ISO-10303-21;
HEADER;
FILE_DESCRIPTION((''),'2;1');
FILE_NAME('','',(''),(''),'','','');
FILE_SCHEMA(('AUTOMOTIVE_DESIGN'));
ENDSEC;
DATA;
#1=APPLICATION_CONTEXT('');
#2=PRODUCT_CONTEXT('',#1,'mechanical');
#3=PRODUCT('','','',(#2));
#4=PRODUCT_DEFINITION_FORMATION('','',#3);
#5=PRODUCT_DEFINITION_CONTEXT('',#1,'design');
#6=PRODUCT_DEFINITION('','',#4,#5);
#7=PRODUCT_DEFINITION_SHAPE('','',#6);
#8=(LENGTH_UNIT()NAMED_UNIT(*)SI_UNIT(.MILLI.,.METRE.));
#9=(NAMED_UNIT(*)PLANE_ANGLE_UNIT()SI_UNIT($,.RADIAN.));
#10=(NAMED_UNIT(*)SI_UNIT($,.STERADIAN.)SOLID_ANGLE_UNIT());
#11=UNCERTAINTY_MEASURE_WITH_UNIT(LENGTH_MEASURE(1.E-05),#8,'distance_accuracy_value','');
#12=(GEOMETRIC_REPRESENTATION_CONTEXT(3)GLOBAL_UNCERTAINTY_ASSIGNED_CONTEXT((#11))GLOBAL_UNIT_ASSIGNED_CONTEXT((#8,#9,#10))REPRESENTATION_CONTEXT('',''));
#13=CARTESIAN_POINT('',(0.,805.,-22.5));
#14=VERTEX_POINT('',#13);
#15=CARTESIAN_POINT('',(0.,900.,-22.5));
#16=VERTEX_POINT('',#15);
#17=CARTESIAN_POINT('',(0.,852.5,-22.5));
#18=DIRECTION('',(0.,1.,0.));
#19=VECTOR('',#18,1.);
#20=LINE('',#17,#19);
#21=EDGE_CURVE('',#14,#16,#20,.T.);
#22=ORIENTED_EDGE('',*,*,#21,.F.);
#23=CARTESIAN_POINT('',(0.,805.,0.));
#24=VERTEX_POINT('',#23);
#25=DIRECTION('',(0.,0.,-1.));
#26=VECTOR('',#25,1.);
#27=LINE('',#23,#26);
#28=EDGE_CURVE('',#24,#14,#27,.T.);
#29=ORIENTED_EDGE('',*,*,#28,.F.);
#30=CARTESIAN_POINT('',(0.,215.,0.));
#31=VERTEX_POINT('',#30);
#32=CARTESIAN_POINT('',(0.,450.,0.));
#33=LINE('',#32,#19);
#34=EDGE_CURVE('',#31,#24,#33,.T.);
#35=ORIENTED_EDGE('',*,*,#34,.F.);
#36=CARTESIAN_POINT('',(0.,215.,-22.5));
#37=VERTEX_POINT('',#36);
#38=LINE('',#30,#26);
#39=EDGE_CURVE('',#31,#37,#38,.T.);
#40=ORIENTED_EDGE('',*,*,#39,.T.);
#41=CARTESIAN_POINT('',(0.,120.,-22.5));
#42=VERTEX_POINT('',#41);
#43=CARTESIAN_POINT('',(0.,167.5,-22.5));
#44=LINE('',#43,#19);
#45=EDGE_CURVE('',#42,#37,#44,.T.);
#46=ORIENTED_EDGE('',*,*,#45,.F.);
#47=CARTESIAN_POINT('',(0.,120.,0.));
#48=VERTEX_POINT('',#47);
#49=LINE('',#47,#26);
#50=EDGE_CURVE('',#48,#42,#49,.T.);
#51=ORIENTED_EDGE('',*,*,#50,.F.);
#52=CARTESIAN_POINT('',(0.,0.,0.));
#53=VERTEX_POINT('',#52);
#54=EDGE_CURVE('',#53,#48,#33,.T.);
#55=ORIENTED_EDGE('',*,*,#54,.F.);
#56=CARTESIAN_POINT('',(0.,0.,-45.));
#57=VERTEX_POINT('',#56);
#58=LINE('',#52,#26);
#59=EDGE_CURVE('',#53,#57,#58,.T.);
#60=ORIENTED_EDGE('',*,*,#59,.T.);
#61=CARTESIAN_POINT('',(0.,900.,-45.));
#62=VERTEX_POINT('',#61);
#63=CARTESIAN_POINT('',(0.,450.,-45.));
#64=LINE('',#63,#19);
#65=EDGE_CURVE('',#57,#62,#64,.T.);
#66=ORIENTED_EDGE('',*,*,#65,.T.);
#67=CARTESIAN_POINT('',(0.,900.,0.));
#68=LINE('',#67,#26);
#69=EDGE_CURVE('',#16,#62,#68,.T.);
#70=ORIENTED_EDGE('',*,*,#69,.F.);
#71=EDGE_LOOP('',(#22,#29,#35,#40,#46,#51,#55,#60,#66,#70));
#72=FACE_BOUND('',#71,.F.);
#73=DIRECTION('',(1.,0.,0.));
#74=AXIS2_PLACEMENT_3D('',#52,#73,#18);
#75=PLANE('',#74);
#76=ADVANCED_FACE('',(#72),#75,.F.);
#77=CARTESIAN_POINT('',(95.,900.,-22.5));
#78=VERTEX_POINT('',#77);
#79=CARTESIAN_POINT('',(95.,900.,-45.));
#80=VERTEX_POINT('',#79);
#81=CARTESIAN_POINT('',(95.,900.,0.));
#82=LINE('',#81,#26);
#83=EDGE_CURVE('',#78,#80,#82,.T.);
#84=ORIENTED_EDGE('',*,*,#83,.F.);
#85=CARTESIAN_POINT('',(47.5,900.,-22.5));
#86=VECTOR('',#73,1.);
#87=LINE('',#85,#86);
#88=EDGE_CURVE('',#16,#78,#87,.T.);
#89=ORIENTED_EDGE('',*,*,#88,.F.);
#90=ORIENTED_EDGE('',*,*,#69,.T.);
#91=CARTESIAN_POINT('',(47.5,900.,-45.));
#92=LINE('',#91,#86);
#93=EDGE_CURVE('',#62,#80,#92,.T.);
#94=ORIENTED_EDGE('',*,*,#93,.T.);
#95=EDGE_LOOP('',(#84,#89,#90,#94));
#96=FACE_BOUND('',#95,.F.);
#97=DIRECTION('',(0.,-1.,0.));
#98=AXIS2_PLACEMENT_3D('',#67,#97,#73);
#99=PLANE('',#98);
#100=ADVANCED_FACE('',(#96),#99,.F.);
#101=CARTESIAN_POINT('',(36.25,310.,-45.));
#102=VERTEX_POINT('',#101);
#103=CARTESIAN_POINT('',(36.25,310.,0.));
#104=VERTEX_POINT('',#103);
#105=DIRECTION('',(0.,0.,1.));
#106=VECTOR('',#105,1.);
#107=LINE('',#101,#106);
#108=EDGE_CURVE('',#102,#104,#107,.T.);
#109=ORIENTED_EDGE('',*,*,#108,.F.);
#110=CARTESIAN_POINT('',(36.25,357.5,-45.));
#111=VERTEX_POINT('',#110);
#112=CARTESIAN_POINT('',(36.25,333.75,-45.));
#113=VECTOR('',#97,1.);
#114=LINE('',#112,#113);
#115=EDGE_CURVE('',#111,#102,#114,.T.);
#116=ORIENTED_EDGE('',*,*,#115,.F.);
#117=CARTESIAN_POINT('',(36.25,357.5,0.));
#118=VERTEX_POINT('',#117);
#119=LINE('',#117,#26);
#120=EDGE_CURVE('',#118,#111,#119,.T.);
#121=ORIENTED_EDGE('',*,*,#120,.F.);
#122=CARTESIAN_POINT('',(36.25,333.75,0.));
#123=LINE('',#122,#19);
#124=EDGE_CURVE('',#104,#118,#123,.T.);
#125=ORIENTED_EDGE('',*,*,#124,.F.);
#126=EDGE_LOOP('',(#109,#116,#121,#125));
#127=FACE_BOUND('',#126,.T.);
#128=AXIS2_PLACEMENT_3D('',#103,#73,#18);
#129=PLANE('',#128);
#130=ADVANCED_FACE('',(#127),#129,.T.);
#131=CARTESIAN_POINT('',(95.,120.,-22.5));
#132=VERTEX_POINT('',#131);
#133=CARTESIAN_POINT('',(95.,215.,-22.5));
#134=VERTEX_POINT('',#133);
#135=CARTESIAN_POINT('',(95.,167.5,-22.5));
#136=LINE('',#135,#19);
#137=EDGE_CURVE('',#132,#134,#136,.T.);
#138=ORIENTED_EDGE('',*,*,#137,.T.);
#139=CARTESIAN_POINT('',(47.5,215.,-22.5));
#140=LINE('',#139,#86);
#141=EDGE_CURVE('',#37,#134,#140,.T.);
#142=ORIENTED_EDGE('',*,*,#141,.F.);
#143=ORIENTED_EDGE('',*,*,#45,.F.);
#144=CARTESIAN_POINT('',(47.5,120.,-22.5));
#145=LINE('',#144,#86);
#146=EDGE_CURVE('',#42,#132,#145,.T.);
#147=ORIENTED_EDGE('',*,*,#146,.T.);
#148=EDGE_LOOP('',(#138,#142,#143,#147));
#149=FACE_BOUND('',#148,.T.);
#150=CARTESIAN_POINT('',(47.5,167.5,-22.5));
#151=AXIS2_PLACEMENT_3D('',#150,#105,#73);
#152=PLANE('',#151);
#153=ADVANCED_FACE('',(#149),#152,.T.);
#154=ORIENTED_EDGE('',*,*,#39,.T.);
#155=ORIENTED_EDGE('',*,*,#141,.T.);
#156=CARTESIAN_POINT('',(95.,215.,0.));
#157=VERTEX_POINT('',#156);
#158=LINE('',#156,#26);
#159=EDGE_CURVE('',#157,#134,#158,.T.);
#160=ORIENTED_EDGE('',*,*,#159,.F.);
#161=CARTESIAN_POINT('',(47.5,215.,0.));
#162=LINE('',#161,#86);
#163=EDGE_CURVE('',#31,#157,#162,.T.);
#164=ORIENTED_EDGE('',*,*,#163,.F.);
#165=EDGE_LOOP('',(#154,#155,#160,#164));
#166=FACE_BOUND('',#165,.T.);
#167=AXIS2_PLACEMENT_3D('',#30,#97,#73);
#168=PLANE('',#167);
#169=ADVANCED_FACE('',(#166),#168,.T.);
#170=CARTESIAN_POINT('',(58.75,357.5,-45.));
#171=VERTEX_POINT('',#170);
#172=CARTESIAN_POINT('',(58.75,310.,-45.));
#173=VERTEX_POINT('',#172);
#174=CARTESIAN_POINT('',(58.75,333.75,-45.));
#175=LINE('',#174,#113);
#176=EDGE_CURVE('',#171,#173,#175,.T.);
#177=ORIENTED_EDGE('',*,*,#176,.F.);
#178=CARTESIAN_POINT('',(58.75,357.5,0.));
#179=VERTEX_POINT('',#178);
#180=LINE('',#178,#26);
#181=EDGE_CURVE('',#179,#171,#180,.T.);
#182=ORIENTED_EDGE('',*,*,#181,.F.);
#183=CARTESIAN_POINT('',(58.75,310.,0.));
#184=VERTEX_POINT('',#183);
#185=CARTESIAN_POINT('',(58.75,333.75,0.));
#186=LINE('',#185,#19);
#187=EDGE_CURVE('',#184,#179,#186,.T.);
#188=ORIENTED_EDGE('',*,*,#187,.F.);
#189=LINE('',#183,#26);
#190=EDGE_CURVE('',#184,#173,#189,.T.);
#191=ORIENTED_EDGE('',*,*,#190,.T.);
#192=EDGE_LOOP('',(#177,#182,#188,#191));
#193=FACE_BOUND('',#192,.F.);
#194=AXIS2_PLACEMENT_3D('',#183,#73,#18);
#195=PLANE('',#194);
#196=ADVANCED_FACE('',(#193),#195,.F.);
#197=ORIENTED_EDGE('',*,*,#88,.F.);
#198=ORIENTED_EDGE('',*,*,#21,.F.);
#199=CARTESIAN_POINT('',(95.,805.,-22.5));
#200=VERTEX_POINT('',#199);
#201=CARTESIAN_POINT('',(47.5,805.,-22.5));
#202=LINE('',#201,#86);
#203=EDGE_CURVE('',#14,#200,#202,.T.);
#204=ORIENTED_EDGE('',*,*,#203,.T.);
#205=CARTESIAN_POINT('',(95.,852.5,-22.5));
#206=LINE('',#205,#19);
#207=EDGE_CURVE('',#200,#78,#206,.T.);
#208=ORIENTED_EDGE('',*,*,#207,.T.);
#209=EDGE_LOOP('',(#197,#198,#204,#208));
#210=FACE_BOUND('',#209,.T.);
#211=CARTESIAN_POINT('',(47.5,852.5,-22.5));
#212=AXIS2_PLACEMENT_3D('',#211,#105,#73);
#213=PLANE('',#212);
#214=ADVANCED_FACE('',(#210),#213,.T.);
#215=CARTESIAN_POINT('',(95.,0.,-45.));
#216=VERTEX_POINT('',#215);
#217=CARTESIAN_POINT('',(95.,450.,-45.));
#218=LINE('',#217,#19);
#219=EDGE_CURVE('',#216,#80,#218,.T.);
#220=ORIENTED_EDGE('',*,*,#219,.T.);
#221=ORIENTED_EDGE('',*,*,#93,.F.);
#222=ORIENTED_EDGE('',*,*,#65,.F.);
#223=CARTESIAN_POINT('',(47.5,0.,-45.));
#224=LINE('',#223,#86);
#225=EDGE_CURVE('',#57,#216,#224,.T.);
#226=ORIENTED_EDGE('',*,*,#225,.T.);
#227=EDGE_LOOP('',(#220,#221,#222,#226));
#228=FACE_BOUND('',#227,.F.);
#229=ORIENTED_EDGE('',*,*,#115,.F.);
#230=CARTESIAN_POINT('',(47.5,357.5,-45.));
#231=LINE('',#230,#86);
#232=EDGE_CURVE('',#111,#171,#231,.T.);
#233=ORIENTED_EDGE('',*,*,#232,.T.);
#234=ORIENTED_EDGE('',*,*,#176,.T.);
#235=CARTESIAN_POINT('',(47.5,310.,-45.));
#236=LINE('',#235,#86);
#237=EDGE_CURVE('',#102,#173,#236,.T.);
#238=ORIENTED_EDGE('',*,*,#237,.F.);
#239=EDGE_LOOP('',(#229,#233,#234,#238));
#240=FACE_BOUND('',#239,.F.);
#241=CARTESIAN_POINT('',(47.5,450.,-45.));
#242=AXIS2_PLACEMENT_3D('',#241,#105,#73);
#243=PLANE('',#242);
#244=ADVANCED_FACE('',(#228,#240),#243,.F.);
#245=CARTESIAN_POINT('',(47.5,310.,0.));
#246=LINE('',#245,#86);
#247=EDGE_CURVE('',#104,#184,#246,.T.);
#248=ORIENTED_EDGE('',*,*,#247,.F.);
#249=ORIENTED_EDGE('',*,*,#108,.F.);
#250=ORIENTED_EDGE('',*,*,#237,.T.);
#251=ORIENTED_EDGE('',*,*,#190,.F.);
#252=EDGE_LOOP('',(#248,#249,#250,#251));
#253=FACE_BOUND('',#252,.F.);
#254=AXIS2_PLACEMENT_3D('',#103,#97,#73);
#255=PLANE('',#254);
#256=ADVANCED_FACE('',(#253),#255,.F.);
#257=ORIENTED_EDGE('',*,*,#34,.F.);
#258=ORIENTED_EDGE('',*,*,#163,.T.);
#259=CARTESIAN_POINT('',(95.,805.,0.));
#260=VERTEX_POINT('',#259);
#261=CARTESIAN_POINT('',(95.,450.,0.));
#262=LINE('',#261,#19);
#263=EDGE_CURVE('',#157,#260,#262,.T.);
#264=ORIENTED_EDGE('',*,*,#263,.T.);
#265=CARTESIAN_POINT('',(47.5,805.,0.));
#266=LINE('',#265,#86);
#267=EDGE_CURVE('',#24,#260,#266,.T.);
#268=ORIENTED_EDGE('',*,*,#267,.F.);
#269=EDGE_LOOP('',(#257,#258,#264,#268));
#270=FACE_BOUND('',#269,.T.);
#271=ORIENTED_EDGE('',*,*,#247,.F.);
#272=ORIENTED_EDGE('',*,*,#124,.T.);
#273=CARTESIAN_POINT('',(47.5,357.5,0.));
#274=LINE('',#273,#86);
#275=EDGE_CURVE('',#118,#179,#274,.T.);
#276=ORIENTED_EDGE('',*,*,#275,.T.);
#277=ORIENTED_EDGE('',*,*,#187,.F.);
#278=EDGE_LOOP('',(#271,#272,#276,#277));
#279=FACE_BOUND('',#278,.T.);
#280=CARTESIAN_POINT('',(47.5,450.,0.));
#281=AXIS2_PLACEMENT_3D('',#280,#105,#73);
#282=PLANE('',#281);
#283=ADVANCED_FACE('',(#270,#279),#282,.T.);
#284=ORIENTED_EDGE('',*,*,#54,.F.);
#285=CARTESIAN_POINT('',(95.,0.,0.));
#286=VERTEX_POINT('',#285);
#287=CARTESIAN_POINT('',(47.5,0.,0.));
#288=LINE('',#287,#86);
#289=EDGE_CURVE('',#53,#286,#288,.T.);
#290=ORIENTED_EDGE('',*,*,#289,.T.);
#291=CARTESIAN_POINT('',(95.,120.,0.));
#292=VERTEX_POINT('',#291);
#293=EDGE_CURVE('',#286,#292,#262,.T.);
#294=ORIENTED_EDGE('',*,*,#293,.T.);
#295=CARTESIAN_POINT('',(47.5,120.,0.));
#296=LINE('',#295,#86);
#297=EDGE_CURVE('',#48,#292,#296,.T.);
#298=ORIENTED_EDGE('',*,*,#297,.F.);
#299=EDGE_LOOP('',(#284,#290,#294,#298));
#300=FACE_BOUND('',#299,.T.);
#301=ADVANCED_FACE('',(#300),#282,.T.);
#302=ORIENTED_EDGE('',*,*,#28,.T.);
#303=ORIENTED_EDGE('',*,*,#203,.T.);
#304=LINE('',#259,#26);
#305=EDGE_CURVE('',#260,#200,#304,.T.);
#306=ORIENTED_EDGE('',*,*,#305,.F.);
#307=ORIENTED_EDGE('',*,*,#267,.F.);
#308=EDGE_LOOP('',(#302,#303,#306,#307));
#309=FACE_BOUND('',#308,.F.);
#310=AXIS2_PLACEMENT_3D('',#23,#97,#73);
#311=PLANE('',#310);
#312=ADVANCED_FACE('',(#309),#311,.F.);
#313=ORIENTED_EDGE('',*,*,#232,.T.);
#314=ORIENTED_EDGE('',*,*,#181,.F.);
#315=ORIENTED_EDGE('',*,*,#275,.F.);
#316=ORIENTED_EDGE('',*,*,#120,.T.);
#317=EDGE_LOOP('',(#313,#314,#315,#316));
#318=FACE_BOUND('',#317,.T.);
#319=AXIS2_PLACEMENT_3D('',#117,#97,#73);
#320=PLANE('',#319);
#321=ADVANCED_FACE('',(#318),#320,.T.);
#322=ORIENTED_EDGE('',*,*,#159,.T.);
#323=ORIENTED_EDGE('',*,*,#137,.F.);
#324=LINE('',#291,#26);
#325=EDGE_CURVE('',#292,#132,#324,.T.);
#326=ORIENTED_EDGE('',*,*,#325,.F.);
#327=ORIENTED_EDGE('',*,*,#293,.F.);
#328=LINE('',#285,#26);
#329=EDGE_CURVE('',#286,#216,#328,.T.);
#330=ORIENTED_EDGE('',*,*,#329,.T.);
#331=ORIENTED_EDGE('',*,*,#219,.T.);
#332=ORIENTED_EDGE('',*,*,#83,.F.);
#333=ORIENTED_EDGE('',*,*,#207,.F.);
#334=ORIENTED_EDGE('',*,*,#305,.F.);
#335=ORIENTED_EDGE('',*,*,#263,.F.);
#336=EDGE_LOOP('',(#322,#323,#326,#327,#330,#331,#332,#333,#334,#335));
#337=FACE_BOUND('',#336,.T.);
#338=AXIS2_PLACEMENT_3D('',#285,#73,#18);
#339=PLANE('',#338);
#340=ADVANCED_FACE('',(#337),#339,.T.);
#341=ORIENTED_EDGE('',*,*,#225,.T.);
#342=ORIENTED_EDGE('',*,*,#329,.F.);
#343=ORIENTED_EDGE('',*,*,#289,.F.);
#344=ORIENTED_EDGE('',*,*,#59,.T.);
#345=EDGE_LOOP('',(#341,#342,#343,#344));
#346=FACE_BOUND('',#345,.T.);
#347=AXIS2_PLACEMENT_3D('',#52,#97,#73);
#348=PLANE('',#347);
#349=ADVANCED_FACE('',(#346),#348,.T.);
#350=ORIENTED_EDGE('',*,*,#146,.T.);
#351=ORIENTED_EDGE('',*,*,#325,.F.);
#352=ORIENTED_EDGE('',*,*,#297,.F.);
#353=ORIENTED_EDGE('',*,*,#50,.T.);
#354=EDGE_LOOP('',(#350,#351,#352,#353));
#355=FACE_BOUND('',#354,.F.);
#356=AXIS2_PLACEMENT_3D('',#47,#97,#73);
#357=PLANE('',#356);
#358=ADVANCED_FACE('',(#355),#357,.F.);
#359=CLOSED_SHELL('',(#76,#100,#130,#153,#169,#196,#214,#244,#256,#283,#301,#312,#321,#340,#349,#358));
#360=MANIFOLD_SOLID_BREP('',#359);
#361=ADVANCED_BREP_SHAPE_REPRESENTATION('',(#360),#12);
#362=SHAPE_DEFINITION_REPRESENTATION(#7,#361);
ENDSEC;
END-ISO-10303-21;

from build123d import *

# Parameters (mm, degrees)
SKETCH_W        = 95
SKETCH_H        = 900
PAD_DEPTH       = 45
SKETCH001_W     = 95
SKETCH001_H     = 95
SKETCH001_W_2   = 22.5
SKETCH001_H_2   = 47.5
POCKET_DEPTH    = 22.5
SKETCH011_W     = 22.5
SKETCH011_H     = 47.5
POCKET006_DEPTH = 22.5


with BuildPart() as part:
    # Sketch → Pad (new body)
    with BuildSketch(Plane.XY):
        with Locations((47.5, 450)):
            Rectangle(SKETCH_W, SKETCH_H)
    extrude(amount=-PAD_DEPTH)

    # Sketch001 (on Face5 of Pad) → Pocket (cut)
    with BuildSketch(Plane.XY):
        with Locations((47.5, 167.5)):
            Rectangle(SKETCH001_W, SKETCH001_H)
        with Locations((47.5, 852.5)):
            Rectangle(SKETCH001_W, SKETCH001_H)
        with Locations((47.5, 333.75)):
            Rectangle(SKETCH001_W_2, SKETCH001_H_2)
    extrude(amount=-POCKET_DEPTH, mode=Mode.SUBTRACT)

    # Sketch011 (on Face4 of Pocket) → Pocket006 (cut)
    with BuildSketch(Plane(origin=(0, 0, -45), x_dir=(1, 0, 0), z_dir=(0, 0, -1))):
        with Locations((47.5, -333.75)):
            Rectangle(SKETCH011_W, SKETCH011_H)
    extrude(amount=-POCKET006_DEPTH, mode=Mode.SUBTRACT)


solid = part.part
